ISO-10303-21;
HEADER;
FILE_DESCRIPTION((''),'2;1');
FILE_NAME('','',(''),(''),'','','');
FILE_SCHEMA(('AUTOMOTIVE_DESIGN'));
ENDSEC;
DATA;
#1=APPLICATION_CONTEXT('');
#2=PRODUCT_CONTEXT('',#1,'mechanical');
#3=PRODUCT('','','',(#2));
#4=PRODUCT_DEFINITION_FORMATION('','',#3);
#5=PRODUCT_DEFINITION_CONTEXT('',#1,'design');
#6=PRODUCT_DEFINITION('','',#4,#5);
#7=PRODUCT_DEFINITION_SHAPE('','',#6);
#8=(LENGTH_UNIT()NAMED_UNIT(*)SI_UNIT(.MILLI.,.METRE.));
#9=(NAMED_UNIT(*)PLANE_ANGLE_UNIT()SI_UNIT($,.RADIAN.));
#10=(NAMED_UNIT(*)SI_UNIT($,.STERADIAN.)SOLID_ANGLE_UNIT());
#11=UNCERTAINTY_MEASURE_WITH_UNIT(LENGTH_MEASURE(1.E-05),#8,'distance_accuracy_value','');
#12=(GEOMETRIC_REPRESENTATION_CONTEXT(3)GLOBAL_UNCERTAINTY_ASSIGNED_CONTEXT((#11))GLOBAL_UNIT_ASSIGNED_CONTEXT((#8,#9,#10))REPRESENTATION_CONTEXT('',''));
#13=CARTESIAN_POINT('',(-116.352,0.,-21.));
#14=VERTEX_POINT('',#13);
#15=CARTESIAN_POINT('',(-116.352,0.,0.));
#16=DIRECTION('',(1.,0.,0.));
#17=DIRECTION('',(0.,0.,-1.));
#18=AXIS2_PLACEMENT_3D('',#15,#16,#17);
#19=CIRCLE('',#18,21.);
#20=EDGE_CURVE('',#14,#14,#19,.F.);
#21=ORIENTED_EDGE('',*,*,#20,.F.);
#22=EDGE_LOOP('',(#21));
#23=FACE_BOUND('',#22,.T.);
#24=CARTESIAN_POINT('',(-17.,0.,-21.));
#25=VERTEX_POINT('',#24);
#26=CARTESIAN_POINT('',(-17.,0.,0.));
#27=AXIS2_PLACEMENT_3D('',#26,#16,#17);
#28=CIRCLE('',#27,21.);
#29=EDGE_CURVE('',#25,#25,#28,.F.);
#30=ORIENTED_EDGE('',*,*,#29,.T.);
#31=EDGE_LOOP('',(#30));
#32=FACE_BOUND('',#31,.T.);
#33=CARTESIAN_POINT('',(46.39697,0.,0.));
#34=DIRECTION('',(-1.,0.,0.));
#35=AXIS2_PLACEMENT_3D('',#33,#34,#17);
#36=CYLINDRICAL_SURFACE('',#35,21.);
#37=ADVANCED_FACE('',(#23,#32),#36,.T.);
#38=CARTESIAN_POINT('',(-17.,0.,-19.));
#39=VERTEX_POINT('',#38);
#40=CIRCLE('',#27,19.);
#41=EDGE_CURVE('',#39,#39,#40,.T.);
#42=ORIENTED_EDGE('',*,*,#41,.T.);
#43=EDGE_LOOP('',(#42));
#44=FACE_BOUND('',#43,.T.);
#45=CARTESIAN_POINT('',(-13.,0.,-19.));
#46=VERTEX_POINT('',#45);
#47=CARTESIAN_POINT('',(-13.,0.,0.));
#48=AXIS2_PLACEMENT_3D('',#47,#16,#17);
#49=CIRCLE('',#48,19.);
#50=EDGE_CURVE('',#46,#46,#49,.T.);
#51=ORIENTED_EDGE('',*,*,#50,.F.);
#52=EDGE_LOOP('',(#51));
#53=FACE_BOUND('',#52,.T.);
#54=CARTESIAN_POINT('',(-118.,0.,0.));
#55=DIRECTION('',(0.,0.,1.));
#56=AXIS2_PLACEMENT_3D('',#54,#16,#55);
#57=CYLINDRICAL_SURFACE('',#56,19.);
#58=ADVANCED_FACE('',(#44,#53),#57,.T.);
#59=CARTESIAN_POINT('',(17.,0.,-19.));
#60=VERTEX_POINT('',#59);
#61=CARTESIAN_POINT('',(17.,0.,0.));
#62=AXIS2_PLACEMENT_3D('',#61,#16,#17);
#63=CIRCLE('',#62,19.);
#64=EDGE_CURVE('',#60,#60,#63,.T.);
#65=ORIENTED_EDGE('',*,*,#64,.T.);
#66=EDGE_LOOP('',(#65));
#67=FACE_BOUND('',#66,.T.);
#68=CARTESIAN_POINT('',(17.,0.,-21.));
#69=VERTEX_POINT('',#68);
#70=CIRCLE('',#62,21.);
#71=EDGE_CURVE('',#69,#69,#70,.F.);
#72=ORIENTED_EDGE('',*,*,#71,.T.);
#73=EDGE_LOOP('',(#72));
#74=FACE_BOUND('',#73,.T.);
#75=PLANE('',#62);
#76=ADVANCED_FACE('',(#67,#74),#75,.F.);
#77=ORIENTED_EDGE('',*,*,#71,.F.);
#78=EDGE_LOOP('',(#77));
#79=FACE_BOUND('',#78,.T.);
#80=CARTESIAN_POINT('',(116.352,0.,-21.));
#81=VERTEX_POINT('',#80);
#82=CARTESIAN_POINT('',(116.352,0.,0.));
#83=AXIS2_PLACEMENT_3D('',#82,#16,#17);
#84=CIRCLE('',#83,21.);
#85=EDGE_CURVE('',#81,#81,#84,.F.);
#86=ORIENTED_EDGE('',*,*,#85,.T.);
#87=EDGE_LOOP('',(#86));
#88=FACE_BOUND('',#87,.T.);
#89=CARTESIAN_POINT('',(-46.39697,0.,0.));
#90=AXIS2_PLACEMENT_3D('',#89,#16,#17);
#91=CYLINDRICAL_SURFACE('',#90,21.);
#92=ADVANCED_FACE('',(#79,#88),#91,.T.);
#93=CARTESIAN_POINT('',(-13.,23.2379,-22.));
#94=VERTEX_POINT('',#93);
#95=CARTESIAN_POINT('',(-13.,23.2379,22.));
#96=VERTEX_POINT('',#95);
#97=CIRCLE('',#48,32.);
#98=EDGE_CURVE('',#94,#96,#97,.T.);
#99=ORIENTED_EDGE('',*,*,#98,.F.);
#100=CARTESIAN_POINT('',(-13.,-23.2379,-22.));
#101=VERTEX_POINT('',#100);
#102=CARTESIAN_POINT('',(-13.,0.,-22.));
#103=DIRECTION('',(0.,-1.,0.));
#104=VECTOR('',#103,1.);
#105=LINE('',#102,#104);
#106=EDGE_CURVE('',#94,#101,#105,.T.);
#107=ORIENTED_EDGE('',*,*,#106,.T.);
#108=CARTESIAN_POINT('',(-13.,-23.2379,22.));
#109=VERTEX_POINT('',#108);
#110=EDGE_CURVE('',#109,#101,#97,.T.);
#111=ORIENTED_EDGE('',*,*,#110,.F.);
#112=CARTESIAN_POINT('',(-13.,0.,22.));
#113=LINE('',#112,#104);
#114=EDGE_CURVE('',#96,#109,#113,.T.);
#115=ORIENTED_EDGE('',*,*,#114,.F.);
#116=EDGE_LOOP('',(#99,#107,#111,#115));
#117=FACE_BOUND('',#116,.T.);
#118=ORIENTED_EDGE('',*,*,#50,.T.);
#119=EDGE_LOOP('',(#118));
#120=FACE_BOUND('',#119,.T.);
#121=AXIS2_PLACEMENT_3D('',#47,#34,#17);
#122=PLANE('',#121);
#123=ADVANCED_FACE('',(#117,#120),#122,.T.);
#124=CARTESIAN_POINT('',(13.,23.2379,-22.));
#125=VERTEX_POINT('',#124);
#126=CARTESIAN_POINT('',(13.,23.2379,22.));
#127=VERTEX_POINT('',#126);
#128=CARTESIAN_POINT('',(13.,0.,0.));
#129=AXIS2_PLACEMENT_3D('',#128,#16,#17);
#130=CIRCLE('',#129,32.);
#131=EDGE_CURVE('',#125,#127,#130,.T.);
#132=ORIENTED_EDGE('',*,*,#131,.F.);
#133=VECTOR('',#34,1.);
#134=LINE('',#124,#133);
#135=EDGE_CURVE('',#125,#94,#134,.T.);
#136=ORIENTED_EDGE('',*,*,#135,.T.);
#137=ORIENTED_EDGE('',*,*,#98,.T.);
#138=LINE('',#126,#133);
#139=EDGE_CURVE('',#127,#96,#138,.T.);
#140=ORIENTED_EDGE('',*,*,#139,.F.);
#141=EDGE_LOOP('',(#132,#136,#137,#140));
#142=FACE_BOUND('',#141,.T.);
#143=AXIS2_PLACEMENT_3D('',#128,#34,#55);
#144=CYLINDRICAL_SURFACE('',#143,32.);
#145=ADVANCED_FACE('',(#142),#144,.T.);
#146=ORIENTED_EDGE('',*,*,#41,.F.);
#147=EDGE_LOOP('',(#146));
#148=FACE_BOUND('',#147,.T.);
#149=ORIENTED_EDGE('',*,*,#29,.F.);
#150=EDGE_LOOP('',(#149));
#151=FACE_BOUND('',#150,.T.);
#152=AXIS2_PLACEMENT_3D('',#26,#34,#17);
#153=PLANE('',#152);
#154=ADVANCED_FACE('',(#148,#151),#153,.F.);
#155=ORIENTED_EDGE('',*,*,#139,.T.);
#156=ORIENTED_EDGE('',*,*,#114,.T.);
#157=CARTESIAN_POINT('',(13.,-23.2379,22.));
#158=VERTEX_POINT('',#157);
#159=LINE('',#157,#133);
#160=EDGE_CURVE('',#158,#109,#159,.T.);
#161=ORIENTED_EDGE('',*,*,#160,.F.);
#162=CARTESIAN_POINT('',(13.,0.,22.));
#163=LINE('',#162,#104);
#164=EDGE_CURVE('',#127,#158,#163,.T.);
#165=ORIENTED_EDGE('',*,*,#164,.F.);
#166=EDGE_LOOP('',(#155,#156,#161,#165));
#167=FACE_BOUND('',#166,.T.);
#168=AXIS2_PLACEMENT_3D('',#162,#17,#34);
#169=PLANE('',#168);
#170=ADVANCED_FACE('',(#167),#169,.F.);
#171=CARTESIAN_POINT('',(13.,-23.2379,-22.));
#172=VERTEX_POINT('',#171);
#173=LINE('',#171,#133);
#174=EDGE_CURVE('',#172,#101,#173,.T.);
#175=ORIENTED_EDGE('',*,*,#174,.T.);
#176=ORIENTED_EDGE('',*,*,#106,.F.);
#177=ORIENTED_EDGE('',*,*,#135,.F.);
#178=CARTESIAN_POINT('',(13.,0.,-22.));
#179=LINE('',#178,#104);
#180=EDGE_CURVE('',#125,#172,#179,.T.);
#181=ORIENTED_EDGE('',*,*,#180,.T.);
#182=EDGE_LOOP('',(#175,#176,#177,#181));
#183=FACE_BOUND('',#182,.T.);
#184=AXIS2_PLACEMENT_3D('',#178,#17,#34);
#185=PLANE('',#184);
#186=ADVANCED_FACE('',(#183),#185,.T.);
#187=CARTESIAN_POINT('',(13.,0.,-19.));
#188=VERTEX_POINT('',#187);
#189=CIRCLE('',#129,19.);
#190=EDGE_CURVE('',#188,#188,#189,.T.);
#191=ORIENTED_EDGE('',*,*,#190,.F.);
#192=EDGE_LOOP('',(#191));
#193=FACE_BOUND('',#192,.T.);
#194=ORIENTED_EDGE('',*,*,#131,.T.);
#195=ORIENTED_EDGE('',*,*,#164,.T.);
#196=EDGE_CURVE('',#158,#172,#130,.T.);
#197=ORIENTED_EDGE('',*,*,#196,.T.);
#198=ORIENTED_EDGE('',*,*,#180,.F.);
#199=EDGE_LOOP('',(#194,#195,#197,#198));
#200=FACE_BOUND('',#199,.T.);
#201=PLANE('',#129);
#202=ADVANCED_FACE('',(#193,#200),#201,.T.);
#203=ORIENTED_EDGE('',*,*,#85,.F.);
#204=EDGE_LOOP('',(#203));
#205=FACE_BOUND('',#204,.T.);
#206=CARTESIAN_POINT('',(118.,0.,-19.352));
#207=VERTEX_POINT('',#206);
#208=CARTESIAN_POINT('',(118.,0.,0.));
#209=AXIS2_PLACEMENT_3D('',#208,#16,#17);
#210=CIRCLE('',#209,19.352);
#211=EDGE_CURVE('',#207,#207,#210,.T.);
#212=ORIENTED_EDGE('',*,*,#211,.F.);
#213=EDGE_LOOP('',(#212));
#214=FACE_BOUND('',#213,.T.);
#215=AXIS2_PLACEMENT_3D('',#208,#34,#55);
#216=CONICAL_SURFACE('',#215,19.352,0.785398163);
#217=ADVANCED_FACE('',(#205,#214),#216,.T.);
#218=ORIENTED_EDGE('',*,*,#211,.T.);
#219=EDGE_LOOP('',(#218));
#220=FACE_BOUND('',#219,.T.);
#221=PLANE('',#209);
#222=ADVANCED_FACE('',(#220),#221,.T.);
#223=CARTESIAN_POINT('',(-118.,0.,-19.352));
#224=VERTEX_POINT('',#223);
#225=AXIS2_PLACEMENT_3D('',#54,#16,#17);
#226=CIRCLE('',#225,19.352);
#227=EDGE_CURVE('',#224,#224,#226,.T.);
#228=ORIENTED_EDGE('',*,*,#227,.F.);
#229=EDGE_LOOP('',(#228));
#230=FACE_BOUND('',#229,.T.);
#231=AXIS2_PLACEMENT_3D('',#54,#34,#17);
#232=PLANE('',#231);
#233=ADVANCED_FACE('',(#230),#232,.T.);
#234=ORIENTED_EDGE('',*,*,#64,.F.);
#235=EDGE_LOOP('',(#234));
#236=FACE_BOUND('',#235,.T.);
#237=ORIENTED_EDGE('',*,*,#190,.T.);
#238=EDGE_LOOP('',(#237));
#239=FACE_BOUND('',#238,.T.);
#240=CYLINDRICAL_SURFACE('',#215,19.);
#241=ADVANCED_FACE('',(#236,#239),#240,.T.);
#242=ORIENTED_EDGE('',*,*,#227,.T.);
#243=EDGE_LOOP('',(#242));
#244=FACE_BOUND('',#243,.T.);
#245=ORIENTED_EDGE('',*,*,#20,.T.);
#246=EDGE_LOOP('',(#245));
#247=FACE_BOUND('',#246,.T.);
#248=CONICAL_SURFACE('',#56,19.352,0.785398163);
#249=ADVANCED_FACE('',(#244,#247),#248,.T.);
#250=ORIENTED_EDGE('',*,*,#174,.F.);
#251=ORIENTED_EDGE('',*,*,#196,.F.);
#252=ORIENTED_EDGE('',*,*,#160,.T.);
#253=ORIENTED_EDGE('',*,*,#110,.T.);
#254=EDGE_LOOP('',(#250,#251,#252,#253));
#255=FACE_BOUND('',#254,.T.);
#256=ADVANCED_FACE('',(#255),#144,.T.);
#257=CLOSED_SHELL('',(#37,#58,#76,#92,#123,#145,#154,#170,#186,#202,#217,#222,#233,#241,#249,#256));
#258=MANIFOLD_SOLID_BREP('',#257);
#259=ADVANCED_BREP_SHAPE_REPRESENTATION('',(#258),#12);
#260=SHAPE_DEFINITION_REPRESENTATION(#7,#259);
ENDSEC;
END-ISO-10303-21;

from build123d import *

# Parameters (mm, degrees)
EXTRUDE_1_DEPTH = 13
SKETCH_2_R      = 19
EXTRUDE_2_DEPTH = 105
SKETCH_3_R      = 21
EXTRUDE_3_DEPTH = 101
CHAMFER_1_SIZE  = 1.648


with BuildPart() as part:
    # Эскиз1 → Бобышка-Вытянуть1 (new body)
    with BuildSketch(Plane(origin=(0, 0, 0), x_dir=(0, 0, -1), z_dir=(1, 0, 0))):
        with BuildLine():
            Line((22, -23.237900077), (22, 23.237900077))
            ThreePointArc((22, 23.237900077), (0, 32), (-22, 23.237900077))
            Line((-22, 23.237900077), (-22, -23.237900077))
            ThreePointArc((-22, -23.237900077), (0, -32), (22, -23.237900077))
        make_face()
    extrude(amount=EXTRUDE_1_DEPTH)

    # Эскиз2 → Бобышка-Вытянуть2 (add)
    with BuildSketch(Plane(origin=(13, 0, 0), x_dir=(0, 0, -1), z_dir=(1, 0, 0))):
        Circle(SKETCH_2_R)
    extrude(amount=EXTRUDE_2_DEPTH)

    # Эскиз3 → Бобышка-Вытянуть3 (add)
    with BuildSketch(Plane(origin=(118, 0, 0), x_dir=(0, 0, -1), z_dir=(1, 0, 0))):
        Circle(SKETCH_3_R)
    extrude(amount=-EXTRUDE_3_DEPTH)

    # Фаска1
    chamfer_1_edges = [part.edges().sort_by_distance(p)[0] for p in [
        (118, 0, 21),
    ]]
    chamfer(chamfer_1_edges, length=CHAMFER_1_SIZE)

    # Зеркальное отражение4: part across plane


with BuildPart() as part_1:
    add(part.part)
    add(part.part.mirror(Plane(origin=(0, 0, 0), x_dir=(0, 0, 1), z_dir=(1, 0, 0))))


solid = part_1.part
